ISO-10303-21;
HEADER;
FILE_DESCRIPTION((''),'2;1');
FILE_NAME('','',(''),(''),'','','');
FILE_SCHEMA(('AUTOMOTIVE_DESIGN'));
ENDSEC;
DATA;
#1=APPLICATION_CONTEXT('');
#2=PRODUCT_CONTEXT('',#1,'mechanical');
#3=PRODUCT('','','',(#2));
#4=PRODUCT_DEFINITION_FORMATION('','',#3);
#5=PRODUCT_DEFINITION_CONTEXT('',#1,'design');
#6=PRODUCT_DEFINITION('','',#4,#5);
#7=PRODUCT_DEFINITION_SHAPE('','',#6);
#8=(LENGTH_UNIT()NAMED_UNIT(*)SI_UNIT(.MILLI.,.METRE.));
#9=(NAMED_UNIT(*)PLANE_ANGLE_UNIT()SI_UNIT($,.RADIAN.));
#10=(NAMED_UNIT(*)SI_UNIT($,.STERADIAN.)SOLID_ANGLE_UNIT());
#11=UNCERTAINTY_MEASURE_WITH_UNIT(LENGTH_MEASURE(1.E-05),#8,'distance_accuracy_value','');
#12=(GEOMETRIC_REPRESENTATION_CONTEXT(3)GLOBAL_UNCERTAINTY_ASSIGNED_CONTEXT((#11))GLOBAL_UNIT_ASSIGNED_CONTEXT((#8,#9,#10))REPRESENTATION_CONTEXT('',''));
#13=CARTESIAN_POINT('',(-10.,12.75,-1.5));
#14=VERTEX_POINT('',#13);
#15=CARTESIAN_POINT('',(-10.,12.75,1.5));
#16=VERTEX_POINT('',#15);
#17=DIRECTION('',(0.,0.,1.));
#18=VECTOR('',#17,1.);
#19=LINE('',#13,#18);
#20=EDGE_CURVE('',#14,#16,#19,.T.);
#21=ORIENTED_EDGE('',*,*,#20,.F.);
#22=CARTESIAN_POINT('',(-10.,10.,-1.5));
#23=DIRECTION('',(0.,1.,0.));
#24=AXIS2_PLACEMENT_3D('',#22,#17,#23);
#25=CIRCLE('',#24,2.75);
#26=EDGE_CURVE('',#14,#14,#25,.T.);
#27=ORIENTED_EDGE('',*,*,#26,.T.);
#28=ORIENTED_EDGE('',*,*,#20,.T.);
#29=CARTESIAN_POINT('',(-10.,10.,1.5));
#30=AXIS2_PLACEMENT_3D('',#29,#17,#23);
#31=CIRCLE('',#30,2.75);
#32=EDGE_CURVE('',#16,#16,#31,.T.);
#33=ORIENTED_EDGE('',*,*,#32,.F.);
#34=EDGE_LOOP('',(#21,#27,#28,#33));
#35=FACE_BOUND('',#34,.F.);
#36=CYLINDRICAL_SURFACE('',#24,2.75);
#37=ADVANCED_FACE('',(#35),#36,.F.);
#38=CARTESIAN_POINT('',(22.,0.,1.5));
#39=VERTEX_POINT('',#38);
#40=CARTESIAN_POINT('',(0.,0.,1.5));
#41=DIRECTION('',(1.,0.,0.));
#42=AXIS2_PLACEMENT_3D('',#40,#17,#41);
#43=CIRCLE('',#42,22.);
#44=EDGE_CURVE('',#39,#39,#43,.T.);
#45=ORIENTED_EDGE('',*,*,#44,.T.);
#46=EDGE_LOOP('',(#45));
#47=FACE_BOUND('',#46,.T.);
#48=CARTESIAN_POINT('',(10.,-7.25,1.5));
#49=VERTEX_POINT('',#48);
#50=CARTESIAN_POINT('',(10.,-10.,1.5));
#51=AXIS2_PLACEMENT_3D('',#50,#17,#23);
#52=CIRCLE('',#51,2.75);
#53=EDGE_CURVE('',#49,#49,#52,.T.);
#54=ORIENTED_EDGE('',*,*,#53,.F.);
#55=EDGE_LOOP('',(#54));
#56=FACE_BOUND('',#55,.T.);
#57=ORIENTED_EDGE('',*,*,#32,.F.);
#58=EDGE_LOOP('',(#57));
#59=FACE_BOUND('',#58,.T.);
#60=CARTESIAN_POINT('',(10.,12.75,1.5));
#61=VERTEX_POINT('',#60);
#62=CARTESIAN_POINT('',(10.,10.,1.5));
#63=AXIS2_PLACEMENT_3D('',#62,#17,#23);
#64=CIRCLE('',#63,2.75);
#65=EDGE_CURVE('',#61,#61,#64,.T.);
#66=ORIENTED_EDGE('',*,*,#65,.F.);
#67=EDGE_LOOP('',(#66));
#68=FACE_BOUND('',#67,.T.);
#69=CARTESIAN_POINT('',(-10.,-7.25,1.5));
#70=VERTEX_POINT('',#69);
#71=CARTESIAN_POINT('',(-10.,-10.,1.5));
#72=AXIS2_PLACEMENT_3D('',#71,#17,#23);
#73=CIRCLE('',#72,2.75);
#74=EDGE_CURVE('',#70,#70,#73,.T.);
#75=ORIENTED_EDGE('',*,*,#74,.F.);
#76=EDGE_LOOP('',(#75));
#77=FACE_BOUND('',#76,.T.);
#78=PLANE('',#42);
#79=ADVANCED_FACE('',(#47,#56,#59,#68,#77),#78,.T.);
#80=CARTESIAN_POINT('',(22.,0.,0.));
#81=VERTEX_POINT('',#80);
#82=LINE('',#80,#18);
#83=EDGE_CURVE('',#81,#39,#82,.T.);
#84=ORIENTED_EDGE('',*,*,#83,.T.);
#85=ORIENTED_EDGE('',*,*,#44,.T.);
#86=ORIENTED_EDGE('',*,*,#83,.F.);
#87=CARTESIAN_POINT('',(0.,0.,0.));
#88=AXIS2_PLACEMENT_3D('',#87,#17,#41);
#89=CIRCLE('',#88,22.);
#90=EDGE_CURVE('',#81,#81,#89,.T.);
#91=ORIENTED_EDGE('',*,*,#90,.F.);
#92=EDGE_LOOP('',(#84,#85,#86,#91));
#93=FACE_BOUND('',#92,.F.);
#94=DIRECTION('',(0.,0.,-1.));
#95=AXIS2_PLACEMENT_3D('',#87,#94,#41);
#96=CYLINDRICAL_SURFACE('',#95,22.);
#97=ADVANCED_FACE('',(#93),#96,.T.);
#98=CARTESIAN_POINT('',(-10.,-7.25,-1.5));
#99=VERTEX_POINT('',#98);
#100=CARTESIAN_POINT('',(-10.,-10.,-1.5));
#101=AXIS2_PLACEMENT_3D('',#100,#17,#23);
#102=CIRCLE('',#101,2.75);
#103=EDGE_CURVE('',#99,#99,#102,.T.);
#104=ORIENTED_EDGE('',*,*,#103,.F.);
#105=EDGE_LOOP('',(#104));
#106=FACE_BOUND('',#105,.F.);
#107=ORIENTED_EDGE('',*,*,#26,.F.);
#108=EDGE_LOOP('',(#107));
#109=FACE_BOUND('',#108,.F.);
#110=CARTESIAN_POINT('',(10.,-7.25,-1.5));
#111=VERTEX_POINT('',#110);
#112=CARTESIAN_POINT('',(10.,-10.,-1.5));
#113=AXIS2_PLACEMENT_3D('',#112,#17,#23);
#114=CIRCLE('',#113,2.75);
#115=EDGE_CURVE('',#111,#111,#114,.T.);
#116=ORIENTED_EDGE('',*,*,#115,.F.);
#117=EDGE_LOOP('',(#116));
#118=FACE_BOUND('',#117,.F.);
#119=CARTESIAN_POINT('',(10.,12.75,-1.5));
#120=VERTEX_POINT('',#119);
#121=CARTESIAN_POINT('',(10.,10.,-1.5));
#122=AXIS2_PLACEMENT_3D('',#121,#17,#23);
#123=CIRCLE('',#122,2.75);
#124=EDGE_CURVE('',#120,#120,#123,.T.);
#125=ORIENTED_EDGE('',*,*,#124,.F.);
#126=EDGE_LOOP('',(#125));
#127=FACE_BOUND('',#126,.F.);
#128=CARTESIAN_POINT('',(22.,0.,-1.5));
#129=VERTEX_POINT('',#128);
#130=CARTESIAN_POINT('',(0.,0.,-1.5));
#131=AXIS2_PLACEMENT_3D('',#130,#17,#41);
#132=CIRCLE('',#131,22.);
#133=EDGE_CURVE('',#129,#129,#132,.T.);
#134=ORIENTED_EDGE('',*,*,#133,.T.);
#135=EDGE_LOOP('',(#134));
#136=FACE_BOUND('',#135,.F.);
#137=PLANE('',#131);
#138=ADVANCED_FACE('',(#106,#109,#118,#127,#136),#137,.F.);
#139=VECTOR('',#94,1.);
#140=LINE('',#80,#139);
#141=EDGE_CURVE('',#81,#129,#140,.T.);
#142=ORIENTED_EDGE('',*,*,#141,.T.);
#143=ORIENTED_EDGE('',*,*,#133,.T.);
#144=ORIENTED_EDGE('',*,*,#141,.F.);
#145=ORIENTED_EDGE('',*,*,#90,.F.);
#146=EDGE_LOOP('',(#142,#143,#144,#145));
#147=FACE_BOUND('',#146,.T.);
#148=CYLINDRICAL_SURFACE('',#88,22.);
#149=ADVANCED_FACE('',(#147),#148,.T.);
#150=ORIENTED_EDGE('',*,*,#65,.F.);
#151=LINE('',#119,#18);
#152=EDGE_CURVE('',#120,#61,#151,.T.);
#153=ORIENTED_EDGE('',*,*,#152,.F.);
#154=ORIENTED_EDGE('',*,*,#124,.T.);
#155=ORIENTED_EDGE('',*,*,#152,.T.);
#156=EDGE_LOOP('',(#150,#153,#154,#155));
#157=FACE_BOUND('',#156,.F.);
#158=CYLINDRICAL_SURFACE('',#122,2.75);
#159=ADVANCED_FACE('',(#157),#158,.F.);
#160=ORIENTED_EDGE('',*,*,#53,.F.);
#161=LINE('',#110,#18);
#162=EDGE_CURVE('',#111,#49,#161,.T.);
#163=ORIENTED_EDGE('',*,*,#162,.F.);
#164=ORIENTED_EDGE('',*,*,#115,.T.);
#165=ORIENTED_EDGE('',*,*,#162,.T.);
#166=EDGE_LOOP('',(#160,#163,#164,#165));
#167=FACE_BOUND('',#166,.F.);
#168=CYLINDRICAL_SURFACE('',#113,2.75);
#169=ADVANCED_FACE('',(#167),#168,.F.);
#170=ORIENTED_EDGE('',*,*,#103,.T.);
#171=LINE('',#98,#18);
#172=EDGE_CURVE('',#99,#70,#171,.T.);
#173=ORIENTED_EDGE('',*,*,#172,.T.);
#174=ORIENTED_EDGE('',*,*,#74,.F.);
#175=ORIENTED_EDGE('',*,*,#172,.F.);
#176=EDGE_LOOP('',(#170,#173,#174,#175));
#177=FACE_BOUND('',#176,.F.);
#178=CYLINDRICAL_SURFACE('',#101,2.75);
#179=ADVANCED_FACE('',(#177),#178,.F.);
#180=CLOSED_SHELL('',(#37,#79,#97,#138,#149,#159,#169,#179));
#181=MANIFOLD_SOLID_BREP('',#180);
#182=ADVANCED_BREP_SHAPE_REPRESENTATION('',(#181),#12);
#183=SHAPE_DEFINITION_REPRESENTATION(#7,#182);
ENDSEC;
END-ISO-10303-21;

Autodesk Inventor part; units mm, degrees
ref_plane "YZ Plane" through (0, 0, 0) normal (1, 0, 0) x (0, 1, 0)
ref_plane "XZ Plane" through (0, 0, 0) normal (0, 1, 0) x (-1, 0, 0)
ref_plane "XY Plane" through (0, 0, 0) normal (0, 0, 1) x (1, 0, 0)
sketch "スケッチ1" plane through (0, 0, 0) normal (0, 0, 1) x (1, 0, 0)
  circle A0 centre (0, 0) radius 22
  dimension "d0" = 44
extrude "押し出し1" add sketch "スケッチ1" along normal mid plane 3
sketch "スケッチ2" plane through (0, 0, -1.5) normal (0, 0, 1) x (1, 0, 0)
  line L0 (-10, -10) -> (10, -10)
  line L1 (10, -10) -> (10, 10)
  line L2 (10, 10) -> (-10, 10)
  line L3 (-10, 10) -> (-10, -10)
  line L4 (-10, -10) -> (10, 10) construction
  line L5 (10, -10) -> (-10, 10) construction
  dimension "d2" = 20
  dimension "d3" = 20
hole "穴1" at (-10, 10, -1.5) at (10, 10, -1.5) at (10, -10, -1.5) at (-10, -10, -1.5) direction (0, 0, 1) diameter 5.5 depth 3.2 tip angle 118 clearance for "Flat Head Machine Screw" size "M5" standard "Ansi Metric M Profile"
equation "\"d9\" = Thickness"
equation "\"BendRadius\" = Thickness"
equation "\"BendReliefWidth\" = Thickness"
equation "\"BendReliefDepth\" = 0.5 * Thickness"
equation "\"CornerReliefSize\" = 4 * Thickness"
equation "\"MinimumRemnant\" = 2 * Thickness"
equation "\"TransitionRadius\" = BendRadius"
equation "\"JacobiRadiusSize\" = BendRadius"
equation "\"GapSize\" = Thickness"
equation "\"d1\" = Thickness"
equation "\"Thickness\" = 3.2"
properties part number "scara-base23" material "ABS プラスチック"
